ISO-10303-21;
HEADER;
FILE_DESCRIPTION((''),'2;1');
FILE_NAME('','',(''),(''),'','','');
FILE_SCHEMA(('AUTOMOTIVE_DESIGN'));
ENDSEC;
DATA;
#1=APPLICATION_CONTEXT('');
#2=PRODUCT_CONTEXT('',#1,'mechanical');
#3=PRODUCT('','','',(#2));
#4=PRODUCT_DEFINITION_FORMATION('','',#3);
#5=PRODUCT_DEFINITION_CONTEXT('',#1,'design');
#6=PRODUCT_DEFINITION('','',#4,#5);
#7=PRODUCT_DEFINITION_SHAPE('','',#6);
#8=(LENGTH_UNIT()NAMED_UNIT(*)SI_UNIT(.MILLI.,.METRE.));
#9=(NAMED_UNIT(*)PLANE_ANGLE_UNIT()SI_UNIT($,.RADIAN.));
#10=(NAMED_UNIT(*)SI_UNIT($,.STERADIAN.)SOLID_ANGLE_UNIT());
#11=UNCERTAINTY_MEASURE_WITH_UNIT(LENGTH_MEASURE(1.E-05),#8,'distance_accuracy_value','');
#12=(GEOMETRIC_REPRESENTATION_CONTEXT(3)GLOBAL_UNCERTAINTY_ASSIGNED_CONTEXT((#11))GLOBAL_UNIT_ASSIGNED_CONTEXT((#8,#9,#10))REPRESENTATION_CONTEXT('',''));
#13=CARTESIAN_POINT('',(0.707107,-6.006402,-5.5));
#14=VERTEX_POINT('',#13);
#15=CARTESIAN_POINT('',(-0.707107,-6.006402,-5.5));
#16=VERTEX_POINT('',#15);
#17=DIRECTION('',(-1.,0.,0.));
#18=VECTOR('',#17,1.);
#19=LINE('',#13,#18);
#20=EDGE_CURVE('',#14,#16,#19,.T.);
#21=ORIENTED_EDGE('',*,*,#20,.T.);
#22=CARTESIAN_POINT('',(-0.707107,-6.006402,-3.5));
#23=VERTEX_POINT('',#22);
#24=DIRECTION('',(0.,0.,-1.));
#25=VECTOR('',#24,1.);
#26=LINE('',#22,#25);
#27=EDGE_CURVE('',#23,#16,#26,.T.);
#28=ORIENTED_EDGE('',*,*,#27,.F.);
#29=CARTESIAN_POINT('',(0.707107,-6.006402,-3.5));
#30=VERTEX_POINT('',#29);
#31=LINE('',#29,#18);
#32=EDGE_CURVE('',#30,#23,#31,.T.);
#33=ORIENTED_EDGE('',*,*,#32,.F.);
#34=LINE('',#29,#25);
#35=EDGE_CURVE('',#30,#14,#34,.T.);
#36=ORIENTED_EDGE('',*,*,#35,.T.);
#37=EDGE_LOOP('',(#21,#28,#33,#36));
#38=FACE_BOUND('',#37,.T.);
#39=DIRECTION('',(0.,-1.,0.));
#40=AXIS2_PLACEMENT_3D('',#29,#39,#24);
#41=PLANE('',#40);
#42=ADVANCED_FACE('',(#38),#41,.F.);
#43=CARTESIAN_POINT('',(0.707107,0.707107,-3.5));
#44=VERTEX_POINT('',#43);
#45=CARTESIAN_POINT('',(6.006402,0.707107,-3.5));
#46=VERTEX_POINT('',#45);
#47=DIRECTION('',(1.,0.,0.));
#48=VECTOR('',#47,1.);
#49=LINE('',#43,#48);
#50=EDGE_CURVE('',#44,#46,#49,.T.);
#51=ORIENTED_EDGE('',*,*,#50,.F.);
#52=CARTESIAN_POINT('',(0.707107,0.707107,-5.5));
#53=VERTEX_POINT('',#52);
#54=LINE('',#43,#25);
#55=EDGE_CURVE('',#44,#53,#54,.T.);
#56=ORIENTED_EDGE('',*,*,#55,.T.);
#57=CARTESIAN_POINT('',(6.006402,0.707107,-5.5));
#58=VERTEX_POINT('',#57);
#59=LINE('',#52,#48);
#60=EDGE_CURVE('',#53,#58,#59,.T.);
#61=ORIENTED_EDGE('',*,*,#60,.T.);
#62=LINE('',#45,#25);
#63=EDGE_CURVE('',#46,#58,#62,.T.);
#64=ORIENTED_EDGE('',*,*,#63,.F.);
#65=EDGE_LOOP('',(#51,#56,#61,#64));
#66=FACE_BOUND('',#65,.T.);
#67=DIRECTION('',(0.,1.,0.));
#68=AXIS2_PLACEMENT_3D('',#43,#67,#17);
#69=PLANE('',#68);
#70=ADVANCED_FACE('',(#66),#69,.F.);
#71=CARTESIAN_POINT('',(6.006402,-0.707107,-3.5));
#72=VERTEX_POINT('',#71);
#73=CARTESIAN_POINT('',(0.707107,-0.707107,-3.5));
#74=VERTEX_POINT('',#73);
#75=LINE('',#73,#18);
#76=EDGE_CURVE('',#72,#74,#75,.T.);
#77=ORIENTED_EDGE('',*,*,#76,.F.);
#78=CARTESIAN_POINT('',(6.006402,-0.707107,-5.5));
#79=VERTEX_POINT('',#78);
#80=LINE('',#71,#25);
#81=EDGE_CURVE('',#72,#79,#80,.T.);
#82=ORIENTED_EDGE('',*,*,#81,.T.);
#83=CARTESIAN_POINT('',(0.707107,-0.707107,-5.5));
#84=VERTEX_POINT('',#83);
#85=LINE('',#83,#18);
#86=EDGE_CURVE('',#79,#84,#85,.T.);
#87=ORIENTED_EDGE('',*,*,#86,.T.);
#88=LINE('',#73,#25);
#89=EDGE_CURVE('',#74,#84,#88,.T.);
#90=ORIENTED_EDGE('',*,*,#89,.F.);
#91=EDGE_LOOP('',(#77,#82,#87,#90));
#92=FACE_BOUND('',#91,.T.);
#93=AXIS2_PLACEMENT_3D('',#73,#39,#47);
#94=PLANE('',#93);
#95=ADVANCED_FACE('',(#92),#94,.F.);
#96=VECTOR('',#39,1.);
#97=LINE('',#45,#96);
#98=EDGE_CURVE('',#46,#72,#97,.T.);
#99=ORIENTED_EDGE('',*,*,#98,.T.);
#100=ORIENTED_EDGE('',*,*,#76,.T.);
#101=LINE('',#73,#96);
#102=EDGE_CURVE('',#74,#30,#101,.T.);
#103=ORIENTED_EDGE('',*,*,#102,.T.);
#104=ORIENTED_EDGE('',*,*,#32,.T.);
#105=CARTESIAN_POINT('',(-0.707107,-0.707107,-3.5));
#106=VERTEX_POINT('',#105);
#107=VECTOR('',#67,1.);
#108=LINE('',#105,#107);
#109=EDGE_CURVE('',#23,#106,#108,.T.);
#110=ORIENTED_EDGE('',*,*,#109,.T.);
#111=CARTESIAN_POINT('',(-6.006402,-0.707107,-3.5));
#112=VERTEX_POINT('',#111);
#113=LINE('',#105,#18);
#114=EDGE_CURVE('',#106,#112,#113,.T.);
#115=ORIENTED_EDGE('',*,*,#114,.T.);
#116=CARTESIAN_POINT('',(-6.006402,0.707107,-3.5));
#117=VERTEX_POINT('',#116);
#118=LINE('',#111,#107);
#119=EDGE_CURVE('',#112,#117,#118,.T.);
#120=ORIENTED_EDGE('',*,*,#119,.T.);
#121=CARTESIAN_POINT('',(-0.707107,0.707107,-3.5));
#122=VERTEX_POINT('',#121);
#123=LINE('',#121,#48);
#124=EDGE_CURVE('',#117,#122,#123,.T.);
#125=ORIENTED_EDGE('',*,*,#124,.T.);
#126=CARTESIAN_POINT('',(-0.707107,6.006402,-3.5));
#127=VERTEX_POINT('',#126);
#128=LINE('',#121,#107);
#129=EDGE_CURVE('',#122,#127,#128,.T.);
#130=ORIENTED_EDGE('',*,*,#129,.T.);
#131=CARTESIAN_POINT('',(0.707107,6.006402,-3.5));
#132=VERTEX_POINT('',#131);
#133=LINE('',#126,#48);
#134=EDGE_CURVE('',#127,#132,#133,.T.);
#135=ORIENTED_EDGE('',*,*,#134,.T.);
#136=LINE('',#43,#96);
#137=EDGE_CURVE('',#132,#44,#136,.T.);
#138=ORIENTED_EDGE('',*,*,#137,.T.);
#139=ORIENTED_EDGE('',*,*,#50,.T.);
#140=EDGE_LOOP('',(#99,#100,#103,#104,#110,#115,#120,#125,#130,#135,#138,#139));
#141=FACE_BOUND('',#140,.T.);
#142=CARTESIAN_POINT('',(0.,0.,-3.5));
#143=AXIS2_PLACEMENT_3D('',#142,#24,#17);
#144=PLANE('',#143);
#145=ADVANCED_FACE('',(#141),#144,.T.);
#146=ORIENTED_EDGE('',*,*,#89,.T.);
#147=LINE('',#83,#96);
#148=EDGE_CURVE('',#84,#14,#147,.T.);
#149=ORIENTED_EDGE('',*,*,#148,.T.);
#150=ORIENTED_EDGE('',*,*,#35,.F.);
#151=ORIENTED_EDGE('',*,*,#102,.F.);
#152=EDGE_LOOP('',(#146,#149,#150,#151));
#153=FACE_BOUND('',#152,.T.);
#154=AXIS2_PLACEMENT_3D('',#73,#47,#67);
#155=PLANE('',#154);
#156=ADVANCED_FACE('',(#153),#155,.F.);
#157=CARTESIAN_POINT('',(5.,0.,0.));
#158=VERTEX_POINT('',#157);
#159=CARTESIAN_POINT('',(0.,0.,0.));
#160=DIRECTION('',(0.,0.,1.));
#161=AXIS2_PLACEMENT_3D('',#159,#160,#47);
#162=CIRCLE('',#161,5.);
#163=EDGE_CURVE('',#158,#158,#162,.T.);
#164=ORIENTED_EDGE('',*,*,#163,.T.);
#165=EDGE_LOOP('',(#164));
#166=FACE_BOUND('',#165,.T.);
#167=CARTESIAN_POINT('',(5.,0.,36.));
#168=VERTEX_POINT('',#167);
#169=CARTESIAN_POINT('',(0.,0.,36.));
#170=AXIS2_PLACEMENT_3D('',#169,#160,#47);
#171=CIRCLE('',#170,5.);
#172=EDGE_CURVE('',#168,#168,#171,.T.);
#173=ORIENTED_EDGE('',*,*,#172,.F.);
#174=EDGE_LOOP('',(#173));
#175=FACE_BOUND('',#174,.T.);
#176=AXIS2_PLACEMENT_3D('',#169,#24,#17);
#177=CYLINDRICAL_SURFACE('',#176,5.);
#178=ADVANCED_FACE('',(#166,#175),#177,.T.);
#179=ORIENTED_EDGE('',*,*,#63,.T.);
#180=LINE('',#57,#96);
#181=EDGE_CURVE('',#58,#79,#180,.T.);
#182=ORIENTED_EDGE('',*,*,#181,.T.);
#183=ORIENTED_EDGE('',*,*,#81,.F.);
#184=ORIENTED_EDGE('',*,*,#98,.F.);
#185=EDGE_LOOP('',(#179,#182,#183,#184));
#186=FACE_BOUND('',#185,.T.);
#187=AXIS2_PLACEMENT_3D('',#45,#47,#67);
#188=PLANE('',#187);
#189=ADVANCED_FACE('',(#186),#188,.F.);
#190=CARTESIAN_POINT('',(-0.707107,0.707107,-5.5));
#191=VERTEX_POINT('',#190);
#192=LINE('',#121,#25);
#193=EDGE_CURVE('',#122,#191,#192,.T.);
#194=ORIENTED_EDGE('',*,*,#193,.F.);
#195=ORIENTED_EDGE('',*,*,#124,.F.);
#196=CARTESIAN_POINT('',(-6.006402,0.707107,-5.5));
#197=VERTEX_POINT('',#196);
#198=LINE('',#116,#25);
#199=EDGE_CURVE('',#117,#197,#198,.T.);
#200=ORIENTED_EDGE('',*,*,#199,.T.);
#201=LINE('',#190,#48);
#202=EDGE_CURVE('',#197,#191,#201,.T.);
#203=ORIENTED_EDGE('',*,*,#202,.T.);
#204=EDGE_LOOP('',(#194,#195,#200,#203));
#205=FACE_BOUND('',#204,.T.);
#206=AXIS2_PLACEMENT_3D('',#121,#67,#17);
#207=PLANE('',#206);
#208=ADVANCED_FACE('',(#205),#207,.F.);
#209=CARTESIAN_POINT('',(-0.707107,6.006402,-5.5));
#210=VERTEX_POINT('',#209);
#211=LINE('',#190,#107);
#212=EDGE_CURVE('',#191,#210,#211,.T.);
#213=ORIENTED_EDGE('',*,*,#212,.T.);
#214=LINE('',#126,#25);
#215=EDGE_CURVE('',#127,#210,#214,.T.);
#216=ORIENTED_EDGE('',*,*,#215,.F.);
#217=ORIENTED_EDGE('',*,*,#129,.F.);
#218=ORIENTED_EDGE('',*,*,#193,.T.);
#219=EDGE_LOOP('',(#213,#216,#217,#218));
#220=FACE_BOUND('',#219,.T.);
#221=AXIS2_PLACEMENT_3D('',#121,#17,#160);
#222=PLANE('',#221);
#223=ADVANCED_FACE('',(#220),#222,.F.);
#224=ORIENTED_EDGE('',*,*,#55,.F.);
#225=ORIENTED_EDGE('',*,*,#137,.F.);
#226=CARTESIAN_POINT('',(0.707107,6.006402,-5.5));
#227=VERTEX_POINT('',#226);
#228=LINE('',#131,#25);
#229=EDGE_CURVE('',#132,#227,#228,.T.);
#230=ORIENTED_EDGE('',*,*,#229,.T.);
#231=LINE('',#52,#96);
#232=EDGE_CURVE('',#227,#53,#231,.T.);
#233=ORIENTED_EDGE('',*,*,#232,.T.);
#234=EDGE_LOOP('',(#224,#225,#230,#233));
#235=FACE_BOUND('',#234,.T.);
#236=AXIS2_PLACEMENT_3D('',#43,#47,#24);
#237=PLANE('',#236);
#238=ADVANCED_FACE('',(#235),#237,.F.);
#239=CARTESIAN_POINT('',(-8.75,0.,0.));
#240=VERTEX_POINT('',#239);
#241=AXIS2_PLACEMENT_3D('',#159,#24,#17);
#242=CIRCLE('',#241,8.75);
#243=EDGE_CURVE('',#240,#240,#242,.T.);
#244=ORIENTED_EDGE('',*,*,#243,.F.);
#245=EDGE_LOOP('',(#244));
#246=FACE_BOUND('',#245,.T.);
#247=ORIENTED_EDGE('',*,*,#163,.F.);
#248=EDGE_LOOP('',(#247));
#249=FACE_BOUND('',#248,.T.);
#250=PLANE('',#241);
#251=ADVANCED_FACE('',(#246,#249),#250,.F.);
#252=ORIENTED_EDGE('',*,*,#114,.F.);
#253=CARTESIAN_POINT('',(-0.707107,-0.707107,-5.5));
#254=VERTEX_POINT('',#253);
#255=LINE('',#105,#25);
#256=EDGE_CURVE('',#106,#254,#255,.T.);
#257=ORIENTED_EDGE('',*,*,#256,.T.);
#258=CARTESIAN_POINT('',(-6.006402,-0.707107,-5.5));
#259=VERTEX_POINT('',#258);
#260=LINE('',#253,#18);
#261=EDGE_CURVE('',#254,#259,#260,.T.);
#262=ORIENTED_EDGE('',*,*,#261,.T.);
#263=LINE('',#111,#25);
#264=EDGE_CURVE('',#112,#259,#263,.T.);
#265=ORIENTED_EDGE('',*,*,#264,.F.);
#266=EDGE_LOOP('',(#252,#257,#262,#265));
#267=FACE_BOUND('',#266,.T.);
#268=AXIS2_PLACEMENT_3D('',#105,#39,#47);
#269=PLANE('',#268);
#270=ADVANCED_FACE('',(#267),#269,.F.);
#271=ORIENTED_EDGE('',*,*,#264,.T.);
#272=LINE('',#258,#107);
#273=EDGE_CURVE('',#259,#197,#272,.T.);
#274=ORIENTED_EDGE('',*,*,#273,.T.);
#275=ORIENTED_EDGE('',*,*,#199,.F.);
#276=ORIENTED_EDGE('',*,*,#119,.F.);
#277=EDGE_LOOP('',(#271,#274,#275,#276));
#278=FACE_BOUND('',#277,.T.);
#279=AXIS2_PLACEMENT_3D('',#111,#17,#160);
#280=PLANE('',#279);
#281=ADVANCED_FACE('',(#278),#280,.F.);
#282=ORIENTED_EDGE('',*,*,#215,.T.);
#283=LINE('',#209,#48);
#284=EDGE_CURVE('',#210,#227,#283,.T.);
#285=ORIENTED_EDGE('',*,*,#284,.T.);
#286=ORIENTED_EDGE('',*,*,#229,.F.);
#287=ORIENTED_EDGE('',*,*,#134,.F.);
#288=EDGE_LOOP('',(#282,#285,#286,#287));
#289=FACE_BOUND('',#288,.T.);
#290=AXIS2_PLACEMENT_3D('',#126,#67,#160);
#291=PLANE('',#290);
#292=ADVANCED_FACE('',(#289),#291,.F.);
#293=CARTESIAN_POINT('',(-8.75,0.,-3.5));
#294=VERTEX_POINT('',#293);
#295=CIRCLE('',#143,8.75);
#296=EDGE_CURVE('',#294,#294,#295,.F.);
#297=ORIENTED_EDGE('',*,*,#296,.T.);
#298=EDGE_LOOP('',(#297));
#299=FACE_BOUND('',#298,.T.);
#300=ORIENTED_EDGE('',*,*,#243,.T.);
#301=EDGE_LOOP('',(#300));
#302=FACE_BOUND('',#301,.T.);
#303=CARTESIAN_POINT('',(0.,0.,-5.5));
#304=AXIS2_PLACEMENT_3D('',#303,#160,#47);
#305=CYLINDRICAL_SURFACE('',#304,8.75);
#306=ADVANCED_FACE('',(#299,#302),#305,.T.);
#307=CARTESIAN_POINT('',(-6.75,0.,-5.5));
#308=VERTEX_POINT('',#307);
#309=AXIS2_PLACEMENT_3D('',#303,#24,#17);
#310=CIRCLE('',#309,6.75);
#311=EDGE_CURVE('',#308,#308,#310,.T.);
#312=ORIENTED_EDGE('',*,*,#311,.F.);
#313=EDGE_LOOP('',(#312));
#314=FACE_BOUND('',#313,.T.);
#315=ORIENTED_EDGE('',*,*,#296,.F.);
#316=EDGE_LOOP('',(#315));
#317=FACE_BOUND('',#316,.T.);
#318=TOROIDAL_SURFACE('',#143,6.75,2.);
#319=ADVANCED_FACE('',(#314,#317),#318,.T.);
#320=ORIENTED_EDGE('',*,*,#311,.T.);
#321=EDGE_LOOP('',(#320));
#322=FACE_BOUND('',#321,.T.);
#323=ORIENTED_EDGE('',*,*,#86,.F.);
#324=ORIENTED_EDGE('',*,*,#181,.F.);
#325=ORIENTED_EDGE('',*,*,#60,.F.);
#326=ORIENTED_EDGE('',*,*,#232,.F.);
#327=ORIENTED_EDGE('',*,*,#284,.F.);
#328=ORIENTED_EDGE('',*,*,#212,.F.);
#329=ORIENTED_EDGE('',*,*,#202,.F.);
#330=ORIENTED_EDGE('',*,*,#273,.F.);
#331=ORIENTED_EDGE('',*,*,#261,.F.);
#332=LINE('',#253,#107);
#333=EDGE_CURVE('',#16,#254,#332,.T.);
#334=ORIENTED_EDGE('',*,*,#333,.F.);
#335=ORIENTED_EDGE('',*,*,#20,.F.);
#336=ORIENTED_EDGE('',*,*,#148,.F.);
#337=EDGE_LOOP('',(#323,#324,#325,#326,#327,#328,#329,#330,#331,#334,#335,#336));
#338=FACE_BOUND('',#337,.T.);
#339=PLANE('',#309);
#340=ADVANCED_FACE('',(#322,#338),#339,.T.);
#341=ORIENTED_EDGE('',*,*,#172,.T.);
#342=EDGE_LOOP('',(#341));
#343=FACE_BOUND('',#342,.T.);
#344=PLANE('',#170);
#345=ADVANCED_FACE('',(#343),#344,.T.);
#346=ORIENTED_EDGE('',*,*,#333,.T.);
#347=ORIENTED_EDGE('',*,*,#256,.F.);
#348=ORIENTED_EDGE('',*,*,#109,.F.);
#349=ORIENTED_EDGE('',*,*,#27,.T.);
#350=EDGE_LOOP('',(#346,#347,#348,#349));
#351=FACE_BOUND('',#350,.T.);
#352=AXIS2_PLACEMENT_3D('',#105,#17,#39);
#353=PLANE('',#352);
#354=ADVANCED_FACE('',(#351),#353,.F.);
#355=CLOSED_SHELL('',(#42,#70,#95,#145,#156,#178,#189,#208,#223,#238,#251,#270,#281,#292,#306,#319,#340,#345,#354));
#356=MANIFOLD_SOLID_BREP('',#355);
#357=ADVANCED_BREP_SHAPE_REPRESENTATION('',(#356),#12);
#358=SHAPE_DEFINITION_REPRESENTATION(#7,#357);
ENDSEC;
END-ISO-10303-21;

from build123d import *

# Parameters (mm, degrees)
SKETCH_1_R          = 5
EXTRUDE_1_DEPTH     = 36
SKETCH_2_R          = 8.75
EXTRUDE_2_DEPTH     = 5.5
FILLET_1_R          = 2
CUT_EXTRUDE_1_DEPTH = 2


with BuildPart() as part:
    # 草图1 → 凸台-拉伸1 (new body)
    with BuildSketch(Plane.XY):
        Circle(SKETCH_1_R)
    extrude(amount=EXTRUDE_1_DEPTH)

    # 草图2 → 凸台-拉伸2 (add)
    with BuildSketch(Plane(origin=(0, 0, 0), x_dir=(-1, 0, 0), z_dir=(0, 0, -1))):
        Circle(SKETCH_2_R)
    extrude(amount=EXTRUDE_2_DEPTH)

    # 圆角1
    fillet_1_edges = [part.edges().sort_by_distance(p)[0] for p in [
        (8.75, 0, -5.5),
    ]]
    fillet(fillet_1_edges, radius=FILLET_1_R)

    # 草图3 → 切除-拉伸1 (cut)
    with BuildSketch(Plane(origin=(0, 0, -5.5), x_dir=(-1, 0, 0), z_dir=(0, 0, -1))):
        Polygon((-0.707106781, 0.707106781), (-0.707106781, 6.006401657), (0.707106781, 6.006401657), (0.707106781, 0.707106781), (6.006401657, 0.707106781), (6.006401657, -0.707106781), (0.707106781, -0.707106781), (0.707106781, -6.006401657), (-0.707106781, -6.006401657), (-0.707106781, -0.707106781), (-6.006401657, -0.707106781), (-6.006401657, 0.707106781), align=None)
    extrude(amount=-CUT_EXTRUDE_1_DEPTH, mode=Mode.SUBTRACT)


solid = part.part
